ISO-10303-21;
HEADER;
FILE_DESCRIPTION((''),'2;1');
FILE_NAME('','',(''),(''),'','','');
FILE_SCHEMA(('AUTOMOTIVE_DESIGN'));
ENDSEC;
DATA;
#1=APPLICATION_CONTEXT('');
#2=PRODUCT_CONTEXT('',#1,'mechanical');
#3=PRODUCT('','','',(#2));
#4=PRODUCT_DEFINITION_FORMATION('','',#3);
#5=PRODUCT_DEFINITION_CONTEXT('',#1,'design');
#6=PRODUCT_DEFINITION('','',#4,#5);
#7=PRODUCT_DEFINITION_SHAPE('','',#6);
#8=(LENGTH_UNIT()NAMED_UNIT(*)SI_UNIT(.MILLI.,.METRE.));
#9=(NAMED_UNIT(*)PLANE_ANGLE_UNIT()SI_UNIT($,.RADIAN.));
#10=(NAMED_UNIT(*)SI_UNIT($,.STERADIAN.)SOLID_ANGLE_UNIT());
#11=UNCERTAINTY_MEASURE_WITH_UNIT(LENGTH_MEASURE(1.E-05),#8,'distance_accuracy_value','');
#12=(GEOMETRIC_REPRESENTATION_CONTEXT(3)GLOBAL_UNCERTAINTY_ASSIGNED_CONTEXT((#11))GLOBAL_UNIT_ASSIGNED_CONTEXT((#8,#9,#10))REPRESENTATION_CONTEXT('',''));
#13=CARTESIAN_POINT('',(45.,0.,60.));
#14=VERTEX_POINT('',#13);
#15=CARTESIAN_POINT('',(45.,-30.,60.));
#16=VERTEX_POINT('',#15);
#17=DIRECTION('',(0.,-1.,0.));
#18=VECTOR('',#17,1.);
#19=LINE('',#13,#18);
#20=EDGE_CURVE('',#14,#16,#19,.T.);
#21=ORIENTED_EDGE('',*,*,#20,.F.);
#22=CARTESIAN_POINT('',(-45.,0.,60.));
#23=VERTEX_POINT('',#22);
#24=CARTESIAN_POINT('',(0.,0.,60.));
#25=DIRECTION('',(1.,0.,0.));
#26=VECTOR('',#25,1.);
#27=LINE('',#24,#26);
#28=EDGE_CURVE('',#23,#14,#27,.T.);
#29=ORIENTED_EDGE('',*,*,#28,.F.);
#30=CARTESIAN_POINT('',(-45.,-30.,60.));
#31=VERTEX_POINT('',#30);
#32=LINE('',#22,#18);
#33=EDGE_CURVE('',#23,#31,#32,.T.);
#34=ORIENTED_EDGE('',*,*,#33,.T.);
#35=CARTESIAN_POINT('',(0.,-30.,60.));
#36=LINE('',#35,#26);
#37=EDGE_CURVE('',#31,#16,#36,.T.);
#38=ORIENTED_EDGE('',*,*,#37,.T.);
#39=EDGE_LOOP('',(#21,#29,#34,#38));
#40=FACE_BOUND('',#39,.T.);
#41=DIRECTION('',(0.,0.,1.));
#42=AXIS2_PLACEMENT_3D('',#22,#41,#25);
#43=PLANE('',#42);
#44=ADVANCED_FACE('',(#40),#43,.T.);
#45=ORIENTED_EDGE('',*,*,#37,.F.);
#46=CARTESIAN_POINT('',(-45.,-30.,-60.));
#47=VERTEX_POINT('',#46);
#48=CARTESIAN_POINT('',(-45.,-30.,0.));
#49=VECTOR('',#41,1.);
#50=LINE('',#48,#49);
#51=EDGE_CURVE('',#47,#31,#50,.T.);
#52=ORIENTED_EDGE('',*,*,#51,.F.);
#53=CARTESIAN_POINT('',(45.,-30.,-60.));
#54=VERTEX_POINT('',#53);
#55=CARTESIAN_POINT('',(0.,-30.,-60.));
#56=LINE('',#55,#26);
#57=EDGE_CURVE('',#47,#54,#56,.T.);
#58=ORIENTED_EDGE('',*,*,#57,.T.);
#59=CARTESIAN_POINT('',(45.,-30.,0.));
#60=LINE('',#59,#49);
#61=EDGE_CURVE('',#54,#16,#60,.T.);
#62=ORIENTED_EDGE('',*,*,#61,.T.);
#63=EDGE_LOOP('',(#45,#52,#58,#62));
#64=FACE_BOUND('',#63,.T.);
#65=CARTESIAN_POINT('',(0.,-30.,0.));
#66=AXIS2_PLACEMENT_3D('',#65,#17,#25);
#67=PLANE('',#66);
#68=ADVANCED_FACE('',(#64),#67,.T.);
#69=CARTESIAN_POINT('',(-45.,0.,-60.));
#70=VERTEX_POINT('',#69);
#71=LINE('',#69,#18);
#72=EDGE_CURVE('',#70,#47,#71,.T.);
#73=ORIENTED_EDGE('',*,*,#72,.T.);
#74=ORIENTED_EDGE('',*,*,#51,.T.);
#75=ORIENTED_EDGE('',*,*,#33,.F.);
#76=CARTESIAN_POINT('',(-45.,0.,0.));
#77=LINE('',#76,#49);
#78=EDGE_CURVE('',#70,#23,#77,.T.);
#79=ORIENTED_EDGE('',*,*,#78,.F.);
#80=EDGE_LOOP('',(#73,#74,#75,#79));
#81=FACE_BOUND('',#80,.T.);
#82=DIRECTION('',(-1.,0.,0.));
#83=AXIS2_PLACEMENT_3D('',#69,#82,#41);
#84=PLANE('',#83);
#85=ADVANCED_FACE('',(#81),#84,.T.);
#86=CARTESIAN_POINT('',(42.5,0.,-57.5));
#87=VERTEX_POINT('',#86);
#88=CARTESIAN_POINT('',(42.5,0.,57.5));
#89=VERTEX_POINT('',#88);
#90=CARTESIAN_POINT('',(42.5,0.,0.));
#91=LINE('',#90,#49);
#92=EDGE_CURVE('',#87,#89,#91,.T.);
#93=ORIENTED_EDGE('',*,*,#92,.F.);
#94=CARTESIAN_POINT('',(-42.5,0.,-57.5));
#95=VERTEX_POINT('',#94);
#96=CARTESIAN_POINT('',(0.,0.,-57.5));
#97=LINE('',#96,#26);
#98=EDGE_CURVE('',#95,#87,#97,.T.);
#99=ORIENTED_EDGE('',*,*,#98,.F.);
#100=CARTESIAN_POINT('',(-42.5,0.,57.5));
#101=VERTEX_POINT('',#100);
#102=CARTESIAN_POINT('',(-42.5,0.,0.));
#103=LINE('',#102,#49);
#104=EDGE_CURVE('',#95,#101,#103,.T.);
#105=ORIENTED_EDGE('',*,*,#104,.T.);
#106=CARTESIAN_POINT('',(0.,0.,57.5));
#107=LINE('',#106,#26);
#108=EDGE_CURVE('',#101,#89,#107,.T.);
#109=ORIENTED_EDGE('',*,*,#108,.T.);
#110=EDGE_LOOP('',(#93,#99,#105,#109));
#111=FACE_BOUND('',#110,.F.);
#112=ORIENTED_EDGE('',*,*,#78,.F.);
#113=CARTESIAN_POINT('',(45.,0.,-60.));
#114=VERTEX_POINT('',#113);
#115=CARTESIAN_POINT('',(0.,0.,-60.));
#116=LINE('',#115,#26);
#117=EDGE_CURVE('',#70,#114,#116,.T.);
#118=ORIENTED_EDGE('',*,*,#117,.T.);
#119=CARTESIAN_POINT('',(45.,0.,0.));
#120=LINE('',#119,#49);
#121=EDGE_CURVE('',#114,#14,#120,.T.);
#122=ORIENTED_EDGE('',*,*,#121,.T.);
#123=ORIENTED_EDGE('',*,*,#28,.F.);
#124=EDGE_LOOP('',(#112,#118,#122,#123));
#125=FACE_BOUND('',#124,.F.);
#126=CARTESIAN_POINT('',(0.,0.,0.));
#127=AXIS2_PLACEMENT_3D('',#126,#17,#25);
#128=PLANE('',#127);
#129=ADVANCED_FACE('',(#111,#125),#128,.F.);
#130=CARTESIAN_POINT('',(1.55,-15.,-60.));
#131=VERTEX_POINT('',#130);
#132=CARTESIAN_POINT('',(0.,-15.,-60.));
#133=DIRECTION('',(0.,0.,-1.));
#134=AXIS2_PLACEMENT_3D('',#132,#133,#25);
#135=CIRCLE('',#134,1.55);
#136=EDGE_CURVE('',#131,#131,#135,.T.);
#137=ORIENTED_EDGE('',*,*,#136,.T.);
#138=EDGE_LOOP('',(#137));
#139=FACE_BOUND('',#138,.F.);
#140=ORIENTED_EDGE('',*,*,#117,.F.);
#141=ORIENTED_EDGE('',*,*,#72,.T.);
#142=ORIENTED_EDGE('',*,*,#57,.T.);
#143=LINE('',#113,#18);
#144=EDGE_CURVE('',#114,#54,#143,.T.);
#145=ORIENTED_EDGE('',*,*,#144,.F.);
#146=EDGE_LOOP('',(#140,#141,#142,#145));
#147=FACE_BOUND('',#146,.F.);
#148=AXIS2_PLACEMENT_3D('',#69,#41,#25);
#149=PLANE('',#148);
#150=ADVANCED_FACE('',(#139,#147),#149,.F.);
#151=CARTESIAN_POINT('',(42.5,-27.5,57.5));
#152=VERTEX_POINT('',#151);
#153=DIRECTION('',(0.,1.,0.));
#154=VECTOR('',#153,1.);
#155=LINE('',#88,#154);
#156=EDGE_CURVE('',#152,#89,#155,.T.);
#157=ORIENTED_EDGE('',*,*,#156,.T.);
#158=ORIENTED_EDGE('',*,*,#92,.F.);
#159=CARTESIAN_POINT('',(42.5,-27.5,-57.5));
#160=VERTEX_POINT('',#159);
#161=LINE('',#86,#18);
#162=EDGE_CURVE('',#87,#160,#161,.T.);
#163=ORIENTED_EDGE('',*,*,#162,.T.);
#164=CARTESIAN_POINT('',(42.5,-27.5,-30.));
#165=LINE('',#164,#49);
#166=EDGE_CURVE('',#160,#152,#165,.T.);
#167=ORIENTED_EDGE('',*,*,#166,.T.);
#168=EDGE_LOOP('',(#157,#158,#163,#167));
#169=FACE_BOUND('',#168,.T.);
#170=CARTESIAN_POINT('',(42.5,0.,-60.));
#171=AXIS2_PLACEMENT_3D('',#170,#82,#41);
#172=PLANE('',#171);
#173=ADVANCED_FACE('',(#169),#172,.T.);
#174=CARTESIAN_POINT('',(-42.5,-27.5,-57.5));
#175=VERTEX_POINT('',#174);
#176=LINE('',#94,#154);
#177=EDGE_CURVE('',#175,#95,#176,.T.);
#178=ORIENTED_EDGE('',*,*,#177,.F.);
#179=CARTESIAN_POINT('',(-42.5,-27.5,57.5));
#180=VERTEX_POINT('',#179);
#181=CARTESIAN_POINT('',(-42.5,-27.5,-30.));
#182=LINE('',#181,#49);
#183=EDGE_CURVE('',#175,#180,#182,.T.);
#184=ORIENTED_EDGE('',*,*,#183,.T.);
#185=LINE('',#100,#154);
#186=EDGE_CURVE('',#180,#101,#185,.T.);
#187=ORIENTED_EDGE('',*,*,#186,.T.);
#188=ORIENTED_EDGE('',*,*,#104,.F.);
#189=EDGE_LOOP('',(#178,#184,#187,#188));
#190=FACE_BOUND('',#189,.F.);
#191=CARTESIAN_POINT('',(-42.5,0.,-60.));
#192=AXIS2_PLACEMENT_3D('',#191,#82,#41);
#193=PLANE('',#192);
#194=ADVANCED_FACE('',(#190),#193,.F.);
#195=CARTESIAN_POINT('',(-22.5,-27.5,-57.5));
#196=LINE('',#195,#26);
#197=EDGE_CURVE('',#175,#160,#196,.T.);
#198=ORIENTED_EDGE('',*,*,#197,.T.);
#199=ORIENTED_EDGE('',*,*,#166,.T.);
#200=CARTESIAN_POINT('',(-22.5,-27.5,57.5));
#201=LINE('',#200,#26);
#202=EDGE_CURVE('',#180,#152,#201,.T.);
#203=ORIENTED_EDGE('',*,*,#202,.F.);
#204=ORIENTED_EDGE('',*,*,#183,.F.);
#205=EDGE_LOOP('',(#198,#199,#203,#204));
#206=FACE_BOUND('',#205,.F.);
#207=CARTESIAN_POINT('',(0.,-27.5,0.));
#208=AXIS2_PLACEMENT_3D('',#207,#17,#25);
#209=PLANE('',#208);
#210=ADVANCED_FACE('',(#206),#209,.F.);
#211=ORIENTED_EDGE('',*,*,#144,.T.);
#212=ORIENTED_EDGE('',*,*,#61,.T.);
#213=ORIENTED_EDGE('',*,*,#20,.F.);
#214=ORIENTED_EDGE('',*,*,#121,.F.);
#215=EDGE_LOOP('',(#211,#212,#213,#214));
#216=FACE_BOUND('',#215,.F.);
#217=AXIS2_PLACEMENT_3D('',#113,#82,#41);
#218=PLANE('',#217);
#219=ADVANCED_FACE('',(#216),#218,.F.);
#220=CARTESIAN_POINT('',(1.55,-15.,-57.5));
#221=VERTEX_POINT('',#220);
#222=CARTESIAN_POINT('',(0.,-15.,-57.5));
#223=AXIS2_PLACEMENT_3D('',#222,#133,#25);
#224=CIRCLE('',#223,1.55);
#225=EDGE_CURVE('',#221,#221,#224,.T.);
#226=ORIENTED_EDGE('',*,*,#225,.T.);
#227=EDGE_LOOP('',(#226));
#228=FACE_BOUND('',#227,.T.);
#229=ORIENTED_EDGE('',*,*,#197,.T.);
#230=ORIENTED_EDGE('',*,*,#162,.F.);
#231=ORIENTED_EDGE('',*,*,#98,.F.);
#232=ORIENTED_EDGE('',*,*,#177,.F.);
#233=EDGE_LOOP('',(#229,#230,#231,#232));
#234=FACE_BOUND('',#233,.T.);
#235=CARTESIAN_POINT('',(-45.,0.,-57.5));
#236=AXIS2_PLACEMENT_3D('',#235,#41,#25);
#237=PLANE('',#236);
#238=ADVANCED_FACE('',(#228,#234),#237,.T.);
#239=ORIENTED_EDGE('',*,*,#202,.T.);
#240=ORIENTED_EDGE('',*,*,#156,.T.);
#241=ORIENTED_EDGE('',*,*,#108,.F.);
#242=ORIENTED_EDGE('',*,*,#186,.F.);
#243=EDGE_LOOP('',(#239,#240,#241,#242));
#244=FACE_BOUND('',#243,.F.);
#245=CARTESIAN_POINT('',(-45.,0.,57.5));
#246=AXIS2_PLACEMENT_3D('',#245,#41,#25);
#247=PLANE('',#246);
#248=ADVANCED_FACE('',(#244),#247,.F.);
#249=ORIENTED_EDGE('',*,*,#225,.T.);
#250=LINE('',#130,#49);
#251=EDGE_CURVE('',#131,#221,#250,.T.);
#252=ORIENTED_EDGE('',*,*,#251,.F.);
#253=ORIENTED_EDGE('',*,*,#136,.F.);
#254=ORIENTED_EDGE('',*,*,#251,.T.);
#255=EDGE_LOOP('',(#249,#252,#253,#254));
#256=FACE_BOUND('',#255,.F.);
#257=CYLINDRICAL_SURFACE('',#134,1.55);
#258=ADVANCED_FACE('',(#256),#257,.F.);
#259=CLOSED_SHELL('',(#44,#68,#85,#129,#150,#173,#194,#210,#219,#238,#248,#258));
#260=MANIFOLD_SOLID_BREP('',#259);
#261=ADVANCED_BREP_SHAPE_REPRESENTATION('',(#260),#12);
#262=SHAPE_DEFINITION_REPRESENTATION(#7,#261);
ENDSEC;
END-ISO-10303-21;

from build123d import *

# Parameters (mm, degrees)
F0_W     = 90
F0_H     = 120
F1_DEPTH = 30
F2_T     = -2.5
F3_R     = 1.55
F4_DEPTH = 25


with BuildPart() as f1:
    # F0 (on Front) → F1 (new body)
    with BuildSketch(Plane.XZ):
        Rectangle(F0_W, F0_H)
    extrude(amount=F1_DEPTH)

    # F2
    f2_openings = [f1.faces().sort_by_distance(p)[0] for p in [
        (0, 0, 0),
    ]]
    offset(amount=F2_T, openings=f2_openings)

    # F3 (on face) → F4 (cut)
    with BuildSketch(Plane(origin=(0, 0, -60), x_dir=(1, 0, 0), z_dir=(0, 0, -1))):
        with Locations((0, 15)):
            Circle(F3_R)
    extrude(amount=-F4_DEPTH, mode=Mode.SUBTRACT)


solid = f1.part
